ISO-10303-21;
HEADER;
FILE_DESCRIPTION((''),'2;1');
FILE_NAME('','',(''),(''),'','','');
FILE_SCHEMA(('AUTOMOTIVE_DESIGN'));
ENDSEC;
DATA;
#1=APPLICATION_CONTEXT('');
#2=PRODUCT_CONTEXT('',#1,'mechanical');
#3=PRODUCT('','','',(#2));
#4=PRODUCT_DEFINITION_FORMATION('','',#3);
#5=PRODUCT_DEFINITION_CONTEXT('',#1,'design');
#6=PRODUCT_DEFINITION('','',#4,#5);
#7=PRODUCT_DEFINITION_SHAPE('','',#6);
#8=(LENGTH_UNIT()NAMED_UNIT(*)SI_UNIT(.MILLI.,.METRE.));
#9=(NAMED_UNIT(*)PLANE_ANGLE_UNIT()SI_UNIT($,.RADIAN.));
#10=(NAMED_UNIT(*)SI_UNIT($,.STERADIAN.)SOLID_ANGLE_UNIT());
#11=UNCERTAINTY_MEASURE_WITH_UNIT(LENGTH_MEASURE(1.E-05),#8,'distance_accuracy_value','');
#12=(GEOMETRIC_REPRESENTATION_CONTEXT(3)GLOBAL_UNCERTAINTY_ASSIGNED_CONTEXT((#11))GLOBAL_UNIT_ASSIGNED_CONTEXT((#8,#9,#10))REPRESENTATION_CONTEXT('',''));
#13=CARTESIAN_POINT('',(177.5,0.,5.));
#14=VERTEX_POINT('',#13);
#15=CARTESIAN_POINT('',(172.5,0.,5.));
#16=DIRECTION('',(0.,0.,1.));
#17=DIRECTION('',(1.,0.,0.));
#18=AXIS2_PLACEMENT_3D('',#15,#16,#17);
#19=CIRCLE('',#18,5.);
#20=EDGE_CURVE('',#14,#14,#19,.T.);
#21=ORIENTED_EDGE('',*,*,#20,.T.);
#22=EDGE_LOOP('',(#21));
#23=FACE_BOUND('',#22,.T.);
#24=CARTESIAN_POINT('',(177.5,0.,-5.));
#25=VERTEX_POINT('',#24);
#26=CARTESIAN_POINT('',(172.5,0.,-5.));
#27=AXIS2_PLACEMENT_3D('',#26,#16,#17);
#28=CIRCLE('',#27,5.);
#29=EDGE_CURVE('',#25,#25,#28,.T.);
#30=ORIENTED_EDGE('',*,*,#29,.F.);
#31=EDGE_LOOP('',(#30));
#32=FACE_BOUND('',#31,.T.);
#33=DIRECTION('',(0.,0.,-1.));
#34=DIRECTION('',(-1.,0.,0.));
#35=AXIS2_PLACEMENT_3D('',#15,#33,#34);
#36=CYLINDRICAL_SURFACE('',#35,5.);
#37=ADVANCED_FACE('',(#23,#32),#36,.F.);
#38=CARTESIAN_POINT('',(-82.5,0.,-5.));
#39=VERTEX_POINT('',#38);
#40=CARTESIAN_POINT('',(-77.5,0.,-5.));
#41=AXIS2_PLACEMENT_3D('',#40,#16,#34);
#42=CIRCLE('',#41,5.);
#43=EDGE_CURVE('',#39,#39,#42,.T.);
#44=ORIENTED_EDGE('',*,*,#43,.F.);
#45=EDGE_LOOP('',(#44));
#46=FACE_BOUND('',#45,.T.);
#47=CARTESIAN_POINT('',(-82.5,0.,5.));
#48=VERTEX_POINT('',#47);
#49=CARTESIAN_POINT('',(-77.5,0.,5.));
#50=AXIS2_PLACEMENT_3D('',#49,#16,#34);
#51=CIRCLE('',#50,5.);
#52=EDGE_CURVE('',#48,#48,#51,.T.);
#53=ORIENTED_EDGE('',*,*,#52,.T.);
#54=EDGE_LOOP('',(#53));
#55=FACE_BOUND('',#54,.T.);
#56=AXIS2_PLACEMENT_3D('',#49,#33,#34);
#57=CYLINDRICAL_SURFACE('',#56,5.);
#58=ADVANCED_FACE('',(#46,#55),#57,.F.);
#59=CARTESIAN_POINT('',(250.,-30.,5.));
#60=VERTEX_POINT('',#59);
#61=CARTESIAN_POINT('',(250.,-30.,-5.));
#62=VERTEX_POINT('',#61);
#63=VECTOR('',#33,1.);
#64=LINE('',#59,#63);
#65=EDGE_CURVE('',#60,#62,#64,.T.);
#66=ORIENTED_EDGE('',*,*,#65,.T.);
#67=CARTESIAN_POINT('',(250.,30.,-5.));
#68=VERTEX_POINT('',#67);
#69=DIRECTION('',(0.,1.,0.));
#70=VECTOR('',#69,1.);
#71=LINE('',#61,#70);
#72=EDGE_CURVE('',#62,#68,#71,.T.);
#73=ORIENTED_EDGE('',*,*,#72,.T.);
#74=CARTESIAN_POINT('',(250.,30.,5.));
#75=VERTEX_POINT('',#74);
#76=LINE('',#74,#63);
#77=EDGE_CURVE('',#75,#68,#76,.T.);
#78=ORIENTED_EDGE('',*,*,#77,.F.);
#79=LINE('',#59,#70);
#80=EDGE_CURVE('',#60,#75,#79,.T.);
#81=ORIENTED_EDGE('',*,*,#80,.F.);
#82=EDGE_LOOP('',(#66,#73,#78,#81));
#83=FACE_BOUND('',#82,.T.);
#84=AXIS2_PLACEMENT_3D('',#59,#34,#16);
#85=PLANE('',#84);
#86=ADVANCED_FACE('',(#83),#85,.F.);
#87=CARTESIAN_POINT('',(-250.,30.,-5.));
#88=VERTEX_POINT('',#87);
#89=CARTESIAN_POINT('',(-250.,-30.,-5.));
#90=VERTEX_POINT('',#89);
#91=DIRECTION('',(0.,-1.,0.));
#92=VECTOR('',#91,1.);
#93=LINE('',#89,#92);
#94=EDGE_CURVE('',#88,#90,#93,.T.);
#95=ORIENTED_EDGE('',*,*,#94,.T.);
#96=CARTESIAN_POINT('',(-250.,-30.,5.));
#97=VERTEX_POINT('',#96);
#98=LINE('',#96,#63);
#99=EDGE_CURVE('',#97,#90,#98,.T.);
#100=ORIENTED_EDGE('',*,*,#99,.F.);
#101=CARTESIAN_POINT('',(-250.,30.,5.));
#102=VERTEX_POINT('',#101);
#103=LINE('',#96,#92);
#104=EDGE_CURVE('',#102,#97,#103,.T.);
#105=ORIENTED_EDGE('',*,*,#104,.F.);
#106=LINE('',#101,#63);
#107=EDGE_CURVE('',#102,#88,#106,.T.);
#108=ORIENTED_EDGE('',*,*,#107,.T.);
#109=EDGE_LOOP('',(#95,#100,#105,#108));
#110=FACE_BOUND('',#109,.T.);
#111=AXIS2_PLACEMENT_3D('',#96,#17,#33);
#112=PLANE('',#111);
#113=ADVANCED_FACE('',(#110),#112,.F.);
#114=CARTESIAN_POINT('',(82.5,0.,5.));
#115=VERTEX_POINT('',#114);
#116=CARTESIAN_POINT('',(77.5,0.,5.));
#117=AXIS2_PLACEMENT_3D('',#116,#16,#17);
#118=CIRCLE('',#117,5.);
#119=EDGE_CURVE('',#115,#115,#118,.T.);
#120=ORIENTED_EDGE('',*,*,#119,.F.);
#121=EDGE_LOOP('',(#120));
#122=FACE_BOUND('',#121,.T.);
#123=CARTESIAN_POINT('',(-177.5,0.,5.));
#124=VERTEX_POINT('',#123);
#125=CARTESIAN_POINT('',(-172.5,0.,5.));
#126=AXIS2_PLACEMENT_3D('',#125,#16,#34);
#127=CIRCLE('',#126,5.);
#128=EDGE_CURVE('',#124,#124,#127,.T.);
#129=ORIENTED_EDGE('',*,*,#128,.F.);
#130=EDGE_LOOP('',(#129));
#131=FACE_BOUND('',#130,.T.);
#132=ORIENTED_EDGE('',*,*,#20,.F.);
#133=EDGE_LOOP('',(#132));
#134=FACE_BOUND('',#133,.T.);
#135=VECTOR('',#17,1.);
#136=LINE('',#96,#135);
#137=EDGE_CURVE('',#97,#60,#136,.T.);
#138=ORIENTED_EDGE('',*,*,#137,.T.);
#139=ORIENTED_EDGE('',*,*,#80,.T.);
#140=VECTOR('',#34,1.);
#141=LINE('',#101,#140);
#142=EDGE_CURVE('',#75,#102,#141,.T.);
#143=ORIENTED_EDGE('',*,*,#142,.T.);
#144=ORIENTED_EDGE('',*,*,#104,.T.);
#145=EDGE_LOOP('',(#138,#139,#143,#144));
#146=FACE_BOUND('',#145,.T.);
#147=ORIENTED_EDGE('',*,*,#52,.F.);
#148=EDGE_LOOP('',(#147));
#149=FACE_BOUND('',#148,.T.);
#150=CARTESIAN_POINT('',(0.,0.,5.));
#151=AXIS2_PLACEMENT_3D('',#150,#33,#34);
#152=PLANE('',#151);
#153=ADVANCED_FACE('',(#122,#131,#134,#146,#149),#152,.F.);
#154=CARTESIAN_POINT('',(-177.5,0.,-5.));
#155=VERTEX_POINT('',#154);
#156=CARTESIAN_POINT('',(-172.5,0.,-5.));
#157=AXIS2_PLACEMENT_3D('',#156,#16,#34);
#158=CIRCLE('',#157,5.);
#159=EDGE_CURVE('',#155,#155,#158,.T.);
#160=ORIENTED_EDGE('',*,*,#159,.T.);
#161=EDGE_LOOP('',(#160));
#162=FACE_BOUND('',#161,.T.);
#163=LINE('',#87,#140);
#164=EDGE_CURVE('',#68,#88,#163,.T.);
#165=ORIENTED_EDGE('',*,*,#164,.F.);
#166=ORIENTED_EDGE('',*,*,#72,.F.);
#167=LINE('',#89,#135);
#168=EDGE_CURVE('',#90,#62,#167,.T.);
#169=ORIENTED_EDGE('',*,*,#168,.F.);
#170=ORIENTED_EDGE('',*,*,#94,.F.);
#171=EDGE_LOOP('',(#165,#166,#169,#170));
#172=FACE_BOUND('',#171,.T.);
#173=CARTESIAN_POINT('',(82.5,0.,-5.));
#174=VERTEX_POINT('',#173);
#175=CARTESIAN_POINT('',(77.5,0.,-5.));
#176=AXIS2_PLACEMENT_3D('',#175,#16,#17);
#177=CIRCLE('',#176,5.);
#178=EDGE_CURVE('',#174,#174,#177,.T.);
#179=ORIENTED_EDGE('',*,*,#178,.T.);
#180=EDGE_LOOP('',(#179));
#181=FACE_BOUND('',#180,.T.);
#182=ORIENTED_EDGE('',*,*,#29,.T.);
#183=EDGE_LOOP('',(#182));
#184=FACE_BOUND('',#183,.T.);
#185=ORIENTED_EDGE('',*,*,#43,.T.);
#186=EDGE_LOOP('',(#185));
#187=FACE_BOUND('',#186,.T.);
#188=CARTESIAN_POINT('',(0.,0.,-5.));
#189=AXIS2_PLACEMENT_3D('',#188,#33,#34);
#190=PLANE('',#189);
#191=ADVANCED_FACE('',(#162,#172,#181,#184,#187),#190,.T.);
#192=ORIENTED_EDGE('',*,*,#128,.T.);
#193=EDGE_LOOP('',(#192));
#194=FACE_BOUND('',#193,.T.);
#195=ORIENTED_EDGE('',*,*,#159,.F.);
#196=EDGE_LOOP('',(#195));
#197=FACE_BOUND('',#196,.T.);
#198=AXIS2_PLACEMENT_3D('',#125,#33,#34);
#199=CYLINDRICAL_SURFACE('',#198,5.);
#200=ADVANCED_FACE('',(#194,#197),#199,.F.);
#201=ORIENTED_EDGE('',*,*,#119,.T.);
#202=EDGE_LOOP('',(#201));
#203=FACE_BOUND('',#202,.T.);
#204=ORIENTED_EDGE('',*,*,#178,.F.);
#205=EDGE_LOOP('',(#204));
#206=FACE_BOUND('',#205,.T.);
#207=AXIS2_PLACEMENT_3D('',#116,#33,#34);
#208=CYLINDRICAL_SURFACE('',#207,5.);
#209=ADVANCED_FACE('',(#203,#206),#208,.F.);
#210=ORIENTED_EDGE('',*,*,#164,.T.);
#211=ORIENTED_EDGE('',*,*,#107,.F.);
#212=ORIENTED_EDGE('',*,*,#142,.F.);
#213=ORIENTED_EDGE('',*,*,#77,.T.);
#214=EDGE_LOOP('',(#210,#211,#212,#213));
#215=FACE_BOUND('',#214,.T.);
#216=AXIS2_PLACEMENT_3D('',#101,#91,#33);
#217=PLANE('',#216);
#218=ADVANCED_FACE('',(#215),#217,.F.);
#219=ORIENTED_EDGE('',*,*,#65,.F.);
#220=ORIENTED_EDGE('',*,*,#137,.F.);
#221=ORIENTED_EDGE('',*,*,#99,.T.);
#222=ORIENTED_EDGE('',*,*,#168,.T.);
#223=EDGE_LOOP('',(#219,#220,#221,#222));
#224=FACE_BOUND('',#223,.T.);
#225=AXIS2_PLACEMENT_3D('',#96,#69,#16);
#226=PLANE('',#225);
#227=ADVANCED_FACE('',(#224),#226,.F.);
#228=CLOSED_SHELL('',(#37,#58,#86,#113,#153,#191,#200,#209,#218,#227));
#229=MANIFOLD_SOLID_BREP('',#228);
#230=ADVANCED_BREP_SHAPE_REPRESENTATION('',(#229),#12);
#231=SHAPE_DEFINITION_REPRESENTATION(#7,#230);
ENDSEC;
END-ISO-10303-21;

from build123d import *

# Parameters (mm, degrees)
SKETCH1_W           = 500
SKETCH1_H           = 60
SKETCH1_R           = 5
BOSS_EXTRUDE1_DEPTH = 5


with BuildPart() as part:
    # Sketch1 → Boss-Extrude1 (new, symmetric)
    with BuildSketch(Plane.XY):
        Rectangle(SKETCH1_W, SKETCH1_H)
        with Locations((172.5, 0)):
            Circle(SKETCH1_R, mode=Mode.SUBTRACT)
        with Locations((77.5, 0)):
            Circle(SKETCH1_R, mode=Mode.SUBTRACT)
        with Locations(Location((-172.5, 0, 0), (0, 0, 180))):
            Circle(SKETCH1_R, mode=Mode.SUBTRACT)
        with Locations(Location((-77.5, 0, 0), (0, 0, 180))):
            Circle(SKETCH1_R, mode=Mode.SUBTRACT)
    extrude(amount=BOSS_EXTRUDE1_DEPTH, both=True)


solid = part.part
